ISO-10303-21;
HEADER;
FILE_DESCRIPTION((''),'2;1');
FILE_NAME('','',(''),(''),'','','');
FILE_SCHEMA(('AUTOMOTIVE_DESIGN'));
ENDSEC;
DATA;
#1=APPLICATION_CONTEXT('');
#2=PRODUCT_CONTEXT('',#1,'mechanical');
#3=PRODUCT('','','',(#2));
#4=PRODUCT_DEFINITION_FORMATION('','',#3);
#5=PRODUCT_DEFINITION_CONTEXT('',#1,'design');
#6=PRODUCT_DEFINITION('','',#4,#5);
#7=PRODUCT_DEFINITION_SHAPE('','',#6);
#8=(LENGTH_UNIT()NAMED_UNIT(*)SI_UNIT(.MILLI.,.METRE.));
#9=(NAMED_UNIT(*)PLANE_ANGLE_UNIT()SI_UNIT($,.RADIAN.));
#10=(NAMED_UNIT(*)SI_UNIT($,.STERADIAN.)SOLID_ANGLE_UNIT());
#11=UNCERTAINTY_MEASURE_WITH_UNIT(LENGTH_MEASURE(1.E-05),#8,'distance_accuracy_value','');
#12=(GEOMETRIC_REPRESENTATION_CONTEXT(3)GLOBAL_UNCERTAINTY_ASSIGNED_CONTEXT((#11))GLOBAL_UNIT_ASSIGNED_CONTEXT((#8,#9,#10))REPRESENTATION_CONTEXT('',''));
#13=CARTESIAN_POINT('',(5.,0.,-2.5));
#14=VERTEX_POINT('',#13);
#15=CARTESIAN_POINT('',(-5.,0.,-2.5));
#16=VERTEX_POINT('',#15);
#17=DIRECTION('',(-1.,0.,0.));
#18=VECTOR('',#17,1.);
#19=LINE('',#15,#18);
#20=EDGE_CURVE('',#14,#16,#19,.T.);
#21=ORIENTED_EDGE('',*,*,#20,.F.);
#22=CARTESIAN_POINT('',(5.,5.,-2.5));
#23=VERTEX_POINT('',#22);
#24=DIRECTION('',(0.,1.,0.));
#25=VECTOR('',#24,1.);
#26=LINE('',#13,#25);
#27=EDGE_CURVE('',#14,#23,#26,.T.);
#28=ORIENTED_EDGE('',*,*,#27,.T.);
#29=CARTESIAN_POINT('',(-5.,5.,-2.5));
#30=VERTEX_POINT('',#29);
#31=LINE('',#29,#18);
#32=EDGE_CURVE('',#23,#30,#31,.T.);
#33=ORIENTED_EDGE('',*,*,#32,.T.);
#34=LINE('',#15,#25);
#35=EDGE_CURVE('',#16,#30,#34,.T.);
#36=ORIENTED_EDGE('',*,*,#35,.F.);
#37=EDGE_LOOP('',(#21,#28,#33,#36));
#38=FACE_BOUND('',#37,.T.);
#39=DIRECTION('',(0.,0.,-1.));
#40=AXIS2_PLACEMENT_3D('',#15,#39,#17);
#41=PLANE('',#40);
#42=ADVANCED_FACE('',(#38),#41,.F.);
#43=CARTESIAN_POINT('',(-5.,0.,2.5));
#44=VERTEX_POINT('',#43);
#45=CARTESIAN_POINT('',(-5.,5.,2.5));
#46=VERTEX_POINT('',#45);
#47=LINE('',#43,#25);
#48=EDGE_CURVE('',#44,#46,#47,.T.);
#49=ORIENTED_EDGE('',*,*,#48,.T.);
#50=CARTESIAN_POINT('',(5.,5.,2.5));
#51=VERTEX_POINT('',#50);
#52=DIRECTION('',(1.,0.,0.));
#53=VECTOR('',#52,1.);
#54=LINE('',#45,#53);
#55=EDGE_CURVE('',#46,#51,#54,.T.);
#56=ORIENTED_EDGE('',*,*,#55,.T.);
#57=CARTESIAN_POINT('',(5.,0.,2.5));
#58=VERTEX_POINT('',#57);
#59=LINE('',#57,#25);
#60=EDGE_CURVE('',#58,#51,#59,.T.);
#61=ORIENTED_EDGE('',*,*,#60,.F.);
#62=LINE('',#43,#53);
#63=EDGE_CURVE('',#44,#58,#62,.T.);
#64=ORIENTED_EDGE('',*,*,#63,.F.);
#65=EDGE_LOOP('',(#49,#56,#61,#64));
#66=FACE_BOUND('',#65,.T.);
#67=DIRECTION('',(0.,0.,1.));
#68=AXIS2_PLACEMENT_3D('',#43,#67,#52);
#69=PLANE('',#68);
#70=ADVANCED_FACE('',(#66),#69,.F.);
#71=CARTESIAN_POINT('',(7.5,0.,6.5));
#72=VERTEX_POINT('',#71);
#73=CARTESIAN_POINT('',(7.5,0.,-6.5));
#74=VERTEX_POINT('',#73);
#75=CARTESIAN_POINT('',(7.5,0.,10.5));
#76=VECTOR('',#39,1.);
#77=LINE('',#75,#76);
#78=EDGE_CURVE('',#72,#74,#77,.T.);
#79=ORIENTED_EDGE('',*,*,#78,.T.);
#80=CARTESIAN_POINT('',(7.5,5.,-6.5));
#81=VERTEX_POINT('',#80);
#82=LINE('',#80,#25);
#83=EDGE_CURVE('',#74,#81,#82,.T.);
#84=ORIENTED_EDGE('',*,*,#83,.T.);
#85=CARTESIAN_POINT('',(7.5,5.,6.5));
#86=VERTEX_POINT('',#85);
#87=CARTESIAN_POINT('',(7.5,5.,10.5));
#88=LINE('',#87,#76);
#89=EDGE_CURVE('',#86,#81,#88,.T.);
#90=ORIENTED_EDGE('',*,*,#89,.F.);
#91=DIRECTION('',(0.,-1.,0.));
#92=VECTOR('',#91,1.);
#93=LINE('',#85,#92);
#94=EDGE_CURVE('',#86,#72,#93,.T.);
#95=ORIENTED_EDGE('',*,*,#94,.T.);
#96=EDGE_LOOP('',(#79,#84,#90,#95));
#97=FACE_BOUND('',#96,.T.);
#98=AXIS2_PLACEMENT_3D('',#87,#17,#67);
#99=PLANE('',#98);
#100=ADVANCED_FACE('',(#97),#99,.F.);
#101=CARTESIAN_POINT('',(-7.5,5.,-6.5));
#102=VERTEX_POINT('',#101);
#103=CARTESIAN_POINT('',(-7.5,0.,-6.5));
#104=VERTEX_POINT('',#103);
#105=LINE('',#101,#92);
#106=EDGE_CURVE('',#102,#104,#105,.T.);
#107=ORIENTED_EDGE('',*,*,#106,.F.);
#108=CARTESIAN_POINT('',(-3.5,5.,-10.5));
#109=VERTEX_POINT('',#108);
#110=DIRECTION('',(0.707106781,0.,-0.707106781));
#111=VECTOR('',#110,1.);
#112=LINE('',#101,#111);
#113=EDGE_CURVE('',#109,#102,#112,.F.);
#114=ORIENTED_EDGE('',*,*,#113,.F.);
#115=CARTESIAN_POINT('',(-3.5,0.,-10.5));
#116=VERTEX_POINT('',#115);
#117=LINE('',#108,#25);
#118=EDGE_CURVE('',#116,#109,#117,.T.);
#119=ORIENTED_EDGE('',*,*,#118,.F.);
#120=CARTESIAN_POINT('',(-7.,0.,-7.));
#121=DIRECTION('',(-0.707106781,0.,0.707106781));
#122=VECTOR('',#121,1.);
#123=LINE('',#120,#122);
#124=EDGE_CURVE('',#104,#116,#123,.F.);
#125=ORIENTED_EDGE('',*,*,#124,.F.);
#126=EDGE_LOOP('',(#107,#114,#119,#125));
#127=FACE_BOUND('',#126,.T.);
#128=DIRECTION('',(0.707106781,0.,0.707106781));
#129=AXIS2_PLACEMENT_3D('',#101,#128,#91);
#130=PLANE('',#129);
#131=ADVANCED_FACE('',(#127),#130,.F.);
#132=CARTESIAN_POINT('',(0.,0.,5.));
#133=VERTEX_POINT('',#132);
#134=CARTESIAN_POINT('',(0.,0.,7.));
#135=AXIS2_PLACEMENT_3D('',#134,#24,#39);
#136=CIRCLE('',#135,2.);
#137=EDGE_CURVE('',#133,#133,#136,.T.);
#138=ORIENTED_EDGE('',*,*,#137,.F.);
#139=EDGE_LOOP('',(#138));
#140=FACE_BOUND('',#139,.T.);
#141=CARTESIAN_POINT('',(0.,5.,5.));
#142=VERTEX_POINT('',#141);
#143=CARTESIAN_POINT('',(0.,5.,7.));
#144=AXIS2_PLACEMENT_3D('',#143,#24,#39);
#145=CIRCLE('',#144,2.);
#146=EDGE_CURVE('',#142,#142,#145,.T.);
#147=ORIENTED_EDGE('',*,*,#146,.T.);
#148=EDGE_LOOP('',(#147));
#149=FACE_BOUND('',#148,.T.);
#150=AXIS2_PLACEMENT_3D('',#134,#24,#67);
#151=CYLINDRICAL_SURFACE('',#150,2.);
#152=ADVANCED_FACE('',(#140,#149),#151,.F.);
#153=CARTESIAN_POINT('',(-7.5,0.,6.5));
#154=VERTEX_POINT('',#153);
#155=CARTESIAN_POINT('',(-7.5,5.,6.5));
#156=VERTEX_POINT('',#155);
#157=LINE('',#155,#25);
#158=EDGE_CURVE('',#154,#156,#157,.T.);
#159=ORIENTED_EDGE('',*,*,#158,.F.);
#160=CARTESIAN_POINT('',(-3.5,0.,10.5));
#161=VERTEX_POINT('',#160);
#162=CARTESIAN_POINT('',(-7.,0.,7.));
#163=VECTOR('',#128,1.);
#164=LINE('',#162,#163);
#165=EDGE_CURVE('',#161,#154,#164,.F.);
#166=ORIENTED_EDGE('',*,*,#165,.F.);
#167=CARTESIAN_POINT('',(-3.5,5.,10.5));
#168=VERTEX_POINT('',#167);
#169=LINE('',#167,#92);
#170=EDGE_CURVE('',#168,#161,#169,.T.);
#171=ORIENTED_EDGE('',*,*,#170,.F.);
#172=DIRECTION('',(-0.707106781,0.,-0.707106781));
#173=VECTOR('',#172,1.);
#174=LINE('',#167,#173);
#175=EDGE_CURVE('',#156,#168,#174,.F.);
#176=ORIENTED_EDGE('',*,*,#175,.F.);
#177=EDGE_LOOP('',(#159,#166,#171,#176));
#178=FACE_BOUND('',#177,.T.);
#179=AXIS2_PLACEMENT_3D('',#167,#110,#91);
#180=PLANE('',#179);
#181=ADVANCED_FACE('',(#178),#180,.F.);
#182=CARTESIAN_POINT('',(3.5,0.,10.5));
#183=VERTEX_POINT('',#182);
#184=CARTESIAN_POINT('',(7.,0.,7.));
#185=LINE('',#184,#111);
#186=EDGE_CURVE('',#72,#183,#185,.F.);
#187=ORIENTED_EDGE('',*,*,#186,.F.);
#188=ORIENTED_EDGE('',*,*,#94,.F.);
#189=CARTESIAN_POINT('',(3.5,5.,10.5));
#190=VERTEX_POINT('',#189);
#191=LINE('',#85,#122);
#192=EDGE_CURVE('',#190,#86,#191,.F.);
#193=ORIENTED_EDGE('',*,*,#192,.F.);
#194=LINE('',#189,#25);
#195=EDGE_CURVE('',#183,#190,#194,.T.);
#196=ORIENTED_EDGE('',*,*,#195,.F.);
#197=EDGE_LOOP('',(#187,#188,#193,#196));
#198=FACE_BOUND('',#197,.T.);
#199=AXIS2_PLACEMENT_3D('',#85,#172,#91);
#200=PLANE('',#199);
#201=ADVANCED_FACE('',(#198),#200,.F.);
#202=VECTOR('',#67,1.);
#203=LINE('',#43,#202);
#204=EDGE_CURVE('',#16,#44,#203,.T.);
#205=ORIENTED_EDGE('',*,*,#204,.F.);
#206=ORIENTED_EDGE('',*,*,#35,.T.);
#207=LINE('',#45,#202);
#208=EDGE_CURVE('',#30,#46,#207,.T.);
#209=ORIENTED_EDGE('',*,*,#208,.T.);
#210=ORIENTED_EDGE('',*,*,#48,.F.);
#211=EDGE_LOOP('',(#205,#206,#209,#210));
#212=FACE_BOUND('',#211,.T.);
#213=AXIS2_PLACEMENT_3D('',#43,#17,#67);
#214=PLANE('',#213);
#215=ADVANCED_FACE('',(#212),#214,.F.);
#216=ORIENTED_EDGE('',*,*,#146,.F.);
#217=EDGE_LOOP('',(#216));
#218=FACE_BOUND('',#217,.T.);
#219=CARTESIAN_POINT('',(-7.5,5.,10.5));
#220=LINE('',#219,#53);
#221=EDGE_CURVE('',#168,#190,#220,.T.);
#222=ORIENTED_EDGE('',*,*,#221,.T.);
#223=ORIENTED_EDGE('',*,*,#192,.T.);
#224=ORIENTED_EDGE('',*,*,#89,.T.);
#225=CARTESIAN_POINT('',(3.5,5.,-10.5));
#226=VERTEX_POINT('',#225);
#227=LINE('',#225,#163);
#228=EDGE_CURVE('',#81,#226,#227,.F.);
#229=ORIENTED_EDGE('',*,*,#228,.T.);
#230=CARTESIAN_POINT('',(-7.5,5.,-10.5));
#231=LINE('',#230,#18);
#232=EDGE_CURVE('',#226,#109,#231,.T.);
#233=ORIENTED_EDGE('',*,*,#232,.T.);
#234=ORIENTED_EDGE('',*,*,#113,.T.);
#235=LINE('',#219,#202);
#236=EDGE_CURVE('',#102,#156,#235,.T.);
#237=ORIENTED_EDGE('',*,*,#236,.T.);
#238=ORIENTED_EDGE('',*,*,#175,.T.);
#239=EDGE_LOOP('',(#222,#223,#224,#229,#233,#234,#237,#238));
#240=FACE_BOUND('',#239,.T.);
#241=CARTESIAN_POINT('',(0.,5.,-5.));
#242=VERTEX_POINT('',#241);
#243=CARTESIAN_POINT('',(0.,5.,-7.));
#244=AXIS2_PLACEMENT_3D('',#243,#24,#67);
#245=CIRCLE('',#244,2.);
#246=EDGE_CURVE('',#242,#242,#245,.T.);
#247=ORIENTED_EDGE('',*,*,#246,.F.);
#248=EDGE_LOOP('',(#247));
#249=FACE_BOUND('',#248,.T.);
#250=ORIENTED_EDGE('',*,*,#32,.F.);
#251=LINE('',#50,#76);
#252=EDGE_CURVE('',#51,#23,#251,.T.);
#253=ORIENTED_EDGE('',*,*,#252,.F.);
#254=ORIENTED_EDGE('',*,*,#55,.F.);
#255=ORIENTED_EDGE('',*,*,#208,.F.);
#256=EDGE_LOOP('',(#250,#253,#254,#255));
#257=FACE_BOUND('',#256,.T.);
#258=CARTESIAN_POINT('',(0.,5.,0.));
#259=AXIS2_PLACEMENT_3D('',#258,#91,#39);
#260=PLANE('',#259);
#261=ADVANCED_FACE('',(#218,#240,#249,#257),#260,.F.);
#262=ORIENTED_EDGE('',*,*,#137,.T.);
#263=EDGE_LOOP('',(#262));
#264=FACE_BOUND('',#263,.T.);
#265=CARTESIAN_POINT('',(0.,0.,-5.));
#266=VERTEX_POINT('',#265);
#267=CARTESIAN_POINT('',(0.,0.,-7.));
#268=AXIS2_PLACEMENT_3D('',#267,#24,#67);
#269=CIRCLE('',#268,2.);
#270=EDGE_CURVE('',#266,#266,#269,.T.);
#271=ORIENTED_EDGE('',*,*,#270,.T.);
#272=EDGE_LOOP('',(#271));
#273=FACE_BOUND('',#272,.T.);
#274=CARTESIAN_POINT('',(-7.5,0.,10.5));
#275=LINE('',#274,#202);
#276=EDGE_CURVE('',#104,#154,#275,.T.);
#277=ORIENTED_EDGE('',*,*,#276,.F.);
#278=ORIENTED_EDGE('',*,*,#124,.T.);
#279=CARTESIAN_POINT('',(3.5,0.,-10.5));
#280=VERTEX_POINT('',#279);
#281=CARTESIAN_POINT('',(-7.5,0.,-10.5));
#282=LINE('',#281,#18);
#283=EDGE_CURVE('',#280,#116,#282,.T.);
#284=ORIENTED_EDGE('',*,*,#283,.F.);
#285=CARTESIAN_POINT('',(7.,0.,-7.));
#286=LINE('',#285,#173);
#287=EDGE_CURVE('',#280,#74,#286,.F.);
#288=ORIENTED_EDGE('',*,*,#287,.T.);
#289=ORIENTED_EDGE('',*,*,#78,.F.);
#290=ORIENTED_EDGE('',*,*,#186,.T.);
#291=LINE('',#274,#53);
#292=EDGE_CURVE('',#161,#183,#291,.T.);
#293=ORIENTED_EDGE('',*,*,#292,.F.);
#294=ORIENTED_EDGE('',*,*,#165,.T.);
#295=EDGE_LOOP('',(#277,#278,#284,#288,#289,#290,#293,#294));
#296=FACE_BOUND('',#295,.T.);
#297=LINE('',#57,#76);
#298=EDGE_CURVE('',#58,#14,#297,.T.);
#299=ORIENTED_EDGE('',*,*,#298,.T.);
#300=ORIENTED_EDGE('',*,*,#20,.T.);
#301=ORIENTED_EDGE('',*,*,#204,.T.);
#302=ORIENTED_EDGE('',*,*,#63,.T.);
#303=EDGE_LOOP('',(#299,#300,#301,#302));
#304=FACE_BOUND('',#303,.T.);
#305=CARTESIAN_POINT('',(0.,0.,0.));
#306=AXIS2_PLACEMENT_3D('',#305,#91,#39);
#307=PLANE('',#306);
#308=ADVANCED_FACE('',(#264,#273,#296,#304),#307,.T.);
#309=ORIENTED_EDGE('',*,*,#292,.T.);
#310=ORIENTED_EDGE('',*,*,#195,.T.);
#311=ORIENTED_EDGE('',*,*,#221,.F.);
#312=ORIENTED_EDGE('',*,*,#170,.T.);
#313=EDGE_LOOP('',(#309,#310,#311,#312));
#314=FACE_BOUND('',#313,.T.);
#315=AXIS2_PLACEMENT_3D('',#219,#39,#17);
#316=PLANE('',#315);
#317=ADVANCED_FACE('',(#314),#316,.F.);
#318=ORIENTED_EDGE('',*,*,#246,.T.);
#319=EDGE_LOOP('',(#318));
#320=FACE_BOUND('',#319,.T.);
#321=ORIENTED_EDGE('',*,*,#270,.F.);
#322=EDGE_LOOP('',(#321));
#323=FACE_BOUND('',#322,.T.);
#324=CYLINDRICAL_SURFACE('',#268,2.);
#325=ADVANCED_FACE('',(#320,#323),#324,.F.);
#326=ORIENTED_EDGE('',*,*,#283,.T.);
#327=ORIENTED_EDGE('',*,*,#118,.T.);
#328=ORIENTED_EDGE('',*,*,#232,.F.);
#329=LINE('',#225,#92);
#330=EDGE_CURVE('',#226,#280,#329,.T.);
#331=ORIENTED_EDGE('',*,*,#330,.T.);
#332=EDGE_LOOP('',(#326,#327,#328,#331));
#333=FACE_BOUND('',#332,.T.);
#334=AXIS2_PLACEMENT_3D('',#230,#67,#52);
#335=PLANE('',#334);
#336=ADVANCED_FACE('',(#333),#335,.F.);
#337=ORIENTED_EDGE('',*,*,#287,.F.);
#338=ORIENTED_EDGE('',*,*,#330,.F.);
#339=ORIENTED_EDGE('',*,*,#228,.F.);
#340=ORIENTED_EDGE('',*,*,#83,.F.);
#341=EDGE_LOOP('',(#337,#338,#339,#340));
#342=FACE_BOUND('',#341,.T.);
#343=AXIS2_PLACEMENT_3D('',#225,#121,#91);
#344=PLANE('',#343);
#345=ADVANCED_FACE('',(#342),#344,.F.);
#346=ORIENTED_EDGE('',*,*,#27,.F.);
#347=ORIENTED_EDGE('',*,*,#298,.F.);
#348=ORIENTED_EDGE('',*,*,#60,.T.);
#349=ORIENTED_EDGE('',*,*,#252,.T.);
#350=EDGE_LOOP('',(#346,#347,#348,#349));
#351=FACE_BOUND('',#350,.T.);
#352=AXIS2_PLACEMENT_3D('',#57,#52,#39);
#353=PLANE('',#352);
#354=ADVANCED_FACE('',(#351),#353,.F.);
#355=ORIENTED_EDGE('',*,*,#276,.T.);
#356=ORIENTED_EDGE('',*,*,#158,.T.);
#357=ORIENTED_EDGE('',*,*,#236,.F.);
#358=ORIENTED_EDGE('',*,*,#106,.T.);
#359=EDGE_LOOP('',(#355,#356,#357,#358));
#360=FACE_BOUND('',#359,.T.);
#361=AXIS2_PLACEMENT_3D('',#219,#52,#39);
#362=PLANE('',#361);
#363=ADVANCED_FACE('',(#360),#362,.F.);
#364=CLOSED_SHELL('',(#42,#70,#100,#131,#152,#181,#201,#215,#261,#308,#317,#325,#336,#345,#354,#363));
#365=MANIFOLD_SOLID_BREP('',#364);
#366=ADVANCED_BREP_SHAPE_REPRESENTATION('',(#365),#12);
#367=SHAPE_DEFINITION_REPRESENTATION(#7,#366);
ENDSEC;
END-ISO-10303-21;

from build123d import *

# Parameters (mm, degrees)
SKETCH1_W           = 15
SKETCH1_H           = 21
BOSS_EXTRUDE1_DEPTH = 5
SKETCH2_R           = 2
SKETCH2_W           = 10
SKETCH2_H           = 5
CUT_EXTRUDE1_DEPTH  = 5
CHAMFER1_SIZE       = 4


with BuildPart() as part:
    # Sketch1 → Boss-Extrude1 (new body)
    with BuildSketch(Plane(origin=(0, 0, 0), x_dir=(1, 0, 0), z_dir=(0, 1, 0))):
        Rectangle(SKETCH1_W, SKETCH1_H)
    extrude(amount=BOSS_EXTRUDE1_DEPTH)

    # Sketch2 → Cut-Extrude1 (cut)
    with BuildSketch(Plane(origin=(0, 5, 0), x_dir=(1, 0, 0), z_dir=(0, 1, 0))):
        with Locations((0, 7)):
            Circle(SKETCH2_R)
        with Locations((0, -7)):
            Circle(SKETCH2_R)
        Rectangle(SKETCH2_W, SKETCH2_H)
    extrude(amount=-CUT_EXTRUDE1_DEPTH, mode=Mode.SUBTRACT)

    # Chamfer1
    chamfer1_edges = [part.edges().sort_by_distance(p)[0] for p in [
        (7.5, 2.5, 10.5),
        (-7.5, 2.5, 10.5),
        (-7.5, 2.5, -10.5),
        (7.5, 2.5, -10.5),
    ]]
    chamfer(chamfer1_edges, length=CHAMFER1_SIZE)


solid = part.part
